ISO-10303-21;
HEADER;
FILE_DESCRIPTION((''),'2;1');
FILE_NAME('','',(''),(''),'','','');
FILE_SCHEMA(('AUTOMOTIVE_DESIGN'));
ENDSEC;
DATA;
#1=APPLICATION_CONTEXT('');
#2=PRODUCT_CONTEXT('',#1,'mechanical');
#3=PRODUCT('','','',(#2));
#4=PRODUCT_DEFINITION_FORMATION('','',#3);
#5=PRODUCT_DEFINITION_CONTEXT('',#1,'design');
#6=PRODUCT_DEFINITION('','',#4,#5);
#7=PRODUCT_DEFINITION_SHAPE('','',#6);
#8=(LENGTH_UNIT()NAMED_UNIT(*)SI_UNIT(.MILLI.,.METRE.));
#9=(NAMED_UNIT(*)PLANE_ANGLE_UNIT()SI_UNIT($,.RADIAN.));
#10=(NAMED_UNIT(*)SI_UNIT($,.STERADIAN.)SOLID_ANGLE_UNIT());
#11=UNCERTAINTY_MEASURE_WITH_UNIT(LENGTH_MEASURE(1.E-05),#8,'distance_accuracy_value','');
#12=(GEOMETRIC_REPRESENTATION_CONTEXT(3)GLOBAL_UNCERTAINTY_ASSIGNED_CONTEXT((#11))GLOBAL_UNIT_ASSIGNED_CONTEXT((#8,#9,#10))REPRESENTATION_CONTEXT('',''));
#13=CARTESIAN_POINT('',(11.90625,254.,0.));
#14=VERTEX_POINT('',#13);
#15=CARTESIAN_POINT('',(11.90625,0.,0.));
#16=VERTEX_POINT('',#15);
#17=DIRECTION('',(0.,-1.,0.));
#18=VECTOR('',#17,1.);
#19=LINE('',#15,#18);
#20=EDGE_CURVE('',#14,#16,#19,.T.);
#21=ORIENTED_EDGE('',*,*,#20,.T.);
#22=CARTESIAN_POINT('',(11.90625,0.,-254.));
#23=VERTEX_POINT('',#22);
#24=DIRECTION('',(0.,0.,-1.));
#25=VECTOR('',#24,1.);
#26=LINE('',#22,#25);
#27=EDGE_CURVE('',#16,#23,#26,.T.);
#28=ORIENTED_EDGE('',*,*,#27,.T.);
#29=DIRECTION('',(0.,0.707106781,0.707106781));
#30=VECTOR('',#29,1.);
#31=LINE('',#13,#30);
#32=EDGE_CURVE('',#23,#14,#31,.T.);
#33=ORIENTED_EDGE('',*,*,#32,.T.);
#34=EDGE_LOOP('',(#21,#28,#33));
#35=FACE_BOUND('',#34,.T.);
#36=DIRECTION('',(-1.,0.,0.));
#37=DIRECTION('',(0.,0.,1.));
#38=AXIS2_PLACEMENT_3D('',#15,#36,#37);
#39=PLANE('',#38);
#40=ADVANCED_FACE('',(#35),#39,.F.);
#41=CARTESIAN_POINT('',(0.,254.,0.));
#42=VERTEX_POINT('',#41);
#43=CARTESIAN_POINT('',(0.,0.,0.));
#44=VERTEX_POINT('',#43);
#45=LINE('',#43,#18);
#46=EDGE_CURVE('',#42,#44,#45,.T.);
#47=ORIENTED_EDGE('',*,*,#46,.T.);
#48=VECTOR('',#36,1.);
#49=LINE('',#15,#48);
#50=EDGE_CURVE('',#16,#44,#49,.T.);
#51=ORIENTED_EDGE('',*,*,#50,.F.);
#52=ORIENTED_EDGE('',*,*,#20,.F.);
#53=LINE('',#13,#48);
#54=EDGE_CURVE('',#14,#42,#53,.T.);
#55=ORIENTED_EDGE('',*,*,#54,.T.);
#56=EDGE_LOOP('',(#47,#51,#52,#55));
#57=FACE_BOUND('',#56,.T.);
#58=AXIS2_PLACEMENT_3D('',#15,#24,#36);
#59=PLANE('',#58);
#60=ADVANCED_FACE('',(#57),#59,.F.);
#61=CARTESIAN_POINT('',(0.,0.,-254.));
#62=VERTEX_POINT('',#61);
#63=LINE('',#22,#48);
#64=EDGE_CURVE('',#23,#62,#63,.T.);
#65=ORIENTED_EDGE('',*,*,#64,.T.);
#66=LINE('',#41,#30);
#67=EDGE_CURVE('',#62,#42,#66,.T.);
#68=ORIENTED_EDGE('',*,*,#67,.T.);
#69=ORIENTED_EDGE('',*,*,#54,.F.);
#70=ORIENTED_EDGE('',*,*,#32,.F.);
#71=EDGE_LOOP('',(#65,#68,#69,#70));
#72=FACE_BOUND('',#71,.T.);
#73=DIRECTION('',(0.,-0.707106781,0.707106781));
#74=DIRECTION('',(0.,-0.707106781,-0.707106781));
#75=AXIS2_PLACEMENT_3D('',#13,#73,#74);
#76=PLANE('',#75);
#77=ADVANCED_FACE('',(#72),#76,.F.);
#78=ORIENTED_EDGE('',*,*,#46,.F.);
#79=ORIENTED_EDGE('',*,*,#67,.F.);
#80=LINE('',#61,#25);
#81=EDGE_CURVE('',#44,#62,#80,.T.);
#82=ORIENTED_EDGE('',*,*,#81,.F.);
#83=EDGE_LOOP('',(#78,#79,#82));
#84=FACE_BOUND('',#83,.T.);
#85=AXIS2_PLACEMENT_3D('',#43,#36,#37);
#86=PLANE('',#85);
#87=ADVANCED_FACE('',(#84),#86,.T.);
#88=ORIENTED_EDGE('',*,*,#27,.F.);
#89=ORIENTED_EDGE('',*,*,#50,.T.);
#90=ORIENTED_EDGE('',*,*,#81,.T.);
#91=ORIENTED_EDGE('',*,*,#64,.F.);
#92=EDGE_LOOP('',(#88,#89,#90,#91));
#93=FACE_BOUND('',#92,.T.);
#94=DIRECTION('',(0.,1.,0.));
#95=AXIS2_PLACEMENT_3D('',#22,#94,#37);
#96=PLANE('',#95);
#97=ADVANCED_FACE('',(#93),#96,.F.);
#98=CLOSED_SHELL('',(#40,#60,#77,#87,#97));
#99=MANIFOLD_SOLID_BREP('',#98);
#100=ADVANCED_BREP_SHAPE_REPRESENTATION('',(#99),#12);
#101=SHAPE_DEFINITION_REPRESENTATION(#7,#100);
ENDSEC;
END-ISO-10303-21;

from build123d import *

# Parameters (mm, degrees)
BOSS_EXTRUDE1_DEPTH = 11.90625


with BuildPart() as part:
    # Sketch1 → Boss-Extrude1 (new body)
    with BuildSketch(Plane(origin=(0, 0, 0), x_dir=(0, 0, -1), z_dir=(1, 0, 0))):
        Polygon((0, 0), (0, 254), (254, 0), align=None)
    extrude(amount=BOSS_EXTRUDE1_DEPTH)


solid = part.part
